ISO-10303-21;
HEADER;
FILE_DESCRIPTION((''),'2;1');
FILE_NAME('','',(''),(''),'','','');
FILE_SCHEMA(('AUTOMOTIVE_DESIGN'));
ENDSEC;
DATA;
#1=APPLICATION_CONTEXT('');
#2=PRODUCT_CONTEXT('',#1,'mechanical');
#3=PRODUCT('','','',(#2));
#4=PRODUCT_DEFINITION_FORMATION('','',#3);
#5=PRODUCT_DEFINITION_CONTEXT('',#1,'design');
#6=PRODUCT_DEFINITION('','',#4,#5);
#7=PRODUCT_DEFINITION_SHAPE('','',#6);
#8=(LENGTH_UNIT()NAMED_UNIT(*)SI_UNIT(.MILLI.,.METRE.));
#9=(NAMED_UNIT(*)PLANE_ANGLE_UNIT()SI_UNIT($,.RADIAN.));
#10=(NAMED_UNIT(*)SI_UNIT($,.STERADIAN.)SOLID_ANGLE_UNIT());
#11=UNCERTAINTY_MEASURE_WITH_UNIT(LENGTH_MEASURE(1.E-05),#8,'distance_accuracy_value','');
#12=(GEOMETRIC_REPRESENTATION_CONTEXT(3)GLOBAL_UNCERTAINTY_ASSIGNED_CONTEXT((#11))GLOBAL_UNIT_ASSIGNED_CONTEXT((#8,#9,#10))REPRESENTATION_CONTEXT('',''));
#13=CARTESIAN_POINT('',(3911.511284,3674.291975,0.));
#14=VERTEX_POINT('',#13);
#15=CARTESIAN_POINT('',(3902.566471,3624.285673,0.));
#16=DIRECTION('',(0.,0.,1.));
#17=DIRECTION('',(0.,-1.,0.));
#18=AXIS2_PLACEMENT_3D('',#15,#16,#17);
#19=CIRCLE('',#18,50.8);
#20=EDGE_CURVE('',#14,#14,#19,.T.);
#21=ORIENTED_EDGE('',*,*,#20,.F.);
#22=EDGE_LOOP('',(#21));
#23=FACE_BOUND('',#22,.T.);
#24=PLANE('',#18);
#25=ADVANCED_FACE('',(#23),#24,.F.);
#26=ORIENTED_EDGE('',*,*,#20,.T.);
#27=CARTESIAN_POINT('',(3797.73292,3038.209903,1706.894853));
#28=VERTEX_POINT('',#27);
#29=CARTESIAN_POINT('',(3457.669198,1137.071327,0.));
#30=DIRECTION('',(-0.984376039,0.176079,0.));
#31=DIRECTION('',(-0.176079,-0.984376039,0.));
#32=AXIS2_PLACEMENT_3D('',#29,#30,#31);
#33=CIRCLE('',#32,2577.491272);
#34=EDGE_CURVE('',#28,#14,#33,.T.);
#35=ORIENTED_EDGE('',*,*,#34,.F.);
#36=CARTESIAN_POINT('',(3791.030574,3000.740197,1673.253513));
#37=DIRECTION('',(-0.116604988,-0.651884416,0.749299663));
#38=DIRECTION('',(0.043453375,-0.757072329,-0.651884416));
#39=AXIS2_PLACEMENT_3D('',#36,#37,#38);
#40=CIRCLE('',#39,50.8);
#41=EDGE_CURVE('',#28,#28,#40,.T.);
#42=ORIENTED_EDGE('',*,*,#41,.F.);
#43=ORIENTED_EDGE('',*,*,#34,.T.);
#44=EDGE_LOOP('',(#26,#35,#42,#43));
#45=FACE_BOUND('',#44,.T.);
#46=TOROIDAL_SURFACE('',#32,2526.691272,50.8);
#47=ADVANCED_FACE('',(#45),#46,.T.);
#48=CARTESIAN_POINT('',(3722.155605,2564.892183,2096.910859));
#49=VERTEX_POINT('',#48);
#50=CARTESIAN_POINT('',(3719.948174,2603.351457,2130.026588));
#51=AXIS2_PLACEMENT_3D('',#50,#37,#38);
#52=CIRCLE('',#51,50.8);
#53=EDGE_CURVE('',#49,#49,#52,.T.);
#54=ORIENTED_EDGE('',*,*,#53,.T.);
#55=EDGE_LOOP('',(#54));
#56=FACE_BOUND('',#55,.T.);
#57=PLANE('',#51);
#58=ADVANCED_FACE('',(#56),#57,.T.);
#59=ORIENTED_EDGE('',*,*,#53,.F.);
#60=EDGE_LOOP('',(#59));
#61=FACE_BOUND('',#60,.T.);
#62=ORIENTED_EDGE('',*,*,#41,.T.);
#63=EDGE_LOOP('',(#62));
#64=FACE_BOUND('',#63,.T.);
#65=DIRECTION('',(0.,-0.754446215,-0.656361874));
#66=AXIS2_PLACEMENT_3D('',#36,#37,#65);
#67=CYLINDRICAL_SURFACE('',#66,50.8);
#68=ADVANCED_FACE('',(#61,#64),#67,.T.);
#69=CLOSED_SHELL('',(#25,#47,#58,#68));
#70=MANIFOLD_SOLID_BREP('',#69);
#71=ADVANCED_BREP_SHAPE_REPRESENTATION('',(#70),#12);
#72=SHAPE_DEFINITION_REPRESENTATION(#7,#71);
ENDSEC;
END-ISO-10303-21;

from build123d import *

# Parameters (mm, degrees)
SKETCH1_R = 50.8


with BuildPart() as part:
    # Sweep1: sweep along a path in Sketch2
    with BuildLine(Plane(origin=(3153.382024828, -564.057160281, 0), x_dir=(-0.16989413075526108, -0.9497993036384053, -0.26271137612009643), z_dir=(0.984376038822768, -0.17607899985971218, 0))) as sweep1_path:
        Line((-3664.240978331, -1209.886716378), (-3933.757526792, -663.102490101))
        ThreePointArc((-3933.757526792, -663.102490101), (-4182.468728065, 211.645639141), (-4105.367146293, 1117.789610781))
    # Sketch1 → Sweep1 (sweep)
    with BuildSketch(Plane(origin=(0.010579982, -0.015258363, 0), x_dir=(-0.2924102116577808, 0.9562929823638006, 0), z_dir=(0, 0, 1))):
        with Locations((2324.746352302, -4791.769413836)):
            Circle(SKETCH1_R)
    sweep(path=sweep1_path.line)


solid = part.part
